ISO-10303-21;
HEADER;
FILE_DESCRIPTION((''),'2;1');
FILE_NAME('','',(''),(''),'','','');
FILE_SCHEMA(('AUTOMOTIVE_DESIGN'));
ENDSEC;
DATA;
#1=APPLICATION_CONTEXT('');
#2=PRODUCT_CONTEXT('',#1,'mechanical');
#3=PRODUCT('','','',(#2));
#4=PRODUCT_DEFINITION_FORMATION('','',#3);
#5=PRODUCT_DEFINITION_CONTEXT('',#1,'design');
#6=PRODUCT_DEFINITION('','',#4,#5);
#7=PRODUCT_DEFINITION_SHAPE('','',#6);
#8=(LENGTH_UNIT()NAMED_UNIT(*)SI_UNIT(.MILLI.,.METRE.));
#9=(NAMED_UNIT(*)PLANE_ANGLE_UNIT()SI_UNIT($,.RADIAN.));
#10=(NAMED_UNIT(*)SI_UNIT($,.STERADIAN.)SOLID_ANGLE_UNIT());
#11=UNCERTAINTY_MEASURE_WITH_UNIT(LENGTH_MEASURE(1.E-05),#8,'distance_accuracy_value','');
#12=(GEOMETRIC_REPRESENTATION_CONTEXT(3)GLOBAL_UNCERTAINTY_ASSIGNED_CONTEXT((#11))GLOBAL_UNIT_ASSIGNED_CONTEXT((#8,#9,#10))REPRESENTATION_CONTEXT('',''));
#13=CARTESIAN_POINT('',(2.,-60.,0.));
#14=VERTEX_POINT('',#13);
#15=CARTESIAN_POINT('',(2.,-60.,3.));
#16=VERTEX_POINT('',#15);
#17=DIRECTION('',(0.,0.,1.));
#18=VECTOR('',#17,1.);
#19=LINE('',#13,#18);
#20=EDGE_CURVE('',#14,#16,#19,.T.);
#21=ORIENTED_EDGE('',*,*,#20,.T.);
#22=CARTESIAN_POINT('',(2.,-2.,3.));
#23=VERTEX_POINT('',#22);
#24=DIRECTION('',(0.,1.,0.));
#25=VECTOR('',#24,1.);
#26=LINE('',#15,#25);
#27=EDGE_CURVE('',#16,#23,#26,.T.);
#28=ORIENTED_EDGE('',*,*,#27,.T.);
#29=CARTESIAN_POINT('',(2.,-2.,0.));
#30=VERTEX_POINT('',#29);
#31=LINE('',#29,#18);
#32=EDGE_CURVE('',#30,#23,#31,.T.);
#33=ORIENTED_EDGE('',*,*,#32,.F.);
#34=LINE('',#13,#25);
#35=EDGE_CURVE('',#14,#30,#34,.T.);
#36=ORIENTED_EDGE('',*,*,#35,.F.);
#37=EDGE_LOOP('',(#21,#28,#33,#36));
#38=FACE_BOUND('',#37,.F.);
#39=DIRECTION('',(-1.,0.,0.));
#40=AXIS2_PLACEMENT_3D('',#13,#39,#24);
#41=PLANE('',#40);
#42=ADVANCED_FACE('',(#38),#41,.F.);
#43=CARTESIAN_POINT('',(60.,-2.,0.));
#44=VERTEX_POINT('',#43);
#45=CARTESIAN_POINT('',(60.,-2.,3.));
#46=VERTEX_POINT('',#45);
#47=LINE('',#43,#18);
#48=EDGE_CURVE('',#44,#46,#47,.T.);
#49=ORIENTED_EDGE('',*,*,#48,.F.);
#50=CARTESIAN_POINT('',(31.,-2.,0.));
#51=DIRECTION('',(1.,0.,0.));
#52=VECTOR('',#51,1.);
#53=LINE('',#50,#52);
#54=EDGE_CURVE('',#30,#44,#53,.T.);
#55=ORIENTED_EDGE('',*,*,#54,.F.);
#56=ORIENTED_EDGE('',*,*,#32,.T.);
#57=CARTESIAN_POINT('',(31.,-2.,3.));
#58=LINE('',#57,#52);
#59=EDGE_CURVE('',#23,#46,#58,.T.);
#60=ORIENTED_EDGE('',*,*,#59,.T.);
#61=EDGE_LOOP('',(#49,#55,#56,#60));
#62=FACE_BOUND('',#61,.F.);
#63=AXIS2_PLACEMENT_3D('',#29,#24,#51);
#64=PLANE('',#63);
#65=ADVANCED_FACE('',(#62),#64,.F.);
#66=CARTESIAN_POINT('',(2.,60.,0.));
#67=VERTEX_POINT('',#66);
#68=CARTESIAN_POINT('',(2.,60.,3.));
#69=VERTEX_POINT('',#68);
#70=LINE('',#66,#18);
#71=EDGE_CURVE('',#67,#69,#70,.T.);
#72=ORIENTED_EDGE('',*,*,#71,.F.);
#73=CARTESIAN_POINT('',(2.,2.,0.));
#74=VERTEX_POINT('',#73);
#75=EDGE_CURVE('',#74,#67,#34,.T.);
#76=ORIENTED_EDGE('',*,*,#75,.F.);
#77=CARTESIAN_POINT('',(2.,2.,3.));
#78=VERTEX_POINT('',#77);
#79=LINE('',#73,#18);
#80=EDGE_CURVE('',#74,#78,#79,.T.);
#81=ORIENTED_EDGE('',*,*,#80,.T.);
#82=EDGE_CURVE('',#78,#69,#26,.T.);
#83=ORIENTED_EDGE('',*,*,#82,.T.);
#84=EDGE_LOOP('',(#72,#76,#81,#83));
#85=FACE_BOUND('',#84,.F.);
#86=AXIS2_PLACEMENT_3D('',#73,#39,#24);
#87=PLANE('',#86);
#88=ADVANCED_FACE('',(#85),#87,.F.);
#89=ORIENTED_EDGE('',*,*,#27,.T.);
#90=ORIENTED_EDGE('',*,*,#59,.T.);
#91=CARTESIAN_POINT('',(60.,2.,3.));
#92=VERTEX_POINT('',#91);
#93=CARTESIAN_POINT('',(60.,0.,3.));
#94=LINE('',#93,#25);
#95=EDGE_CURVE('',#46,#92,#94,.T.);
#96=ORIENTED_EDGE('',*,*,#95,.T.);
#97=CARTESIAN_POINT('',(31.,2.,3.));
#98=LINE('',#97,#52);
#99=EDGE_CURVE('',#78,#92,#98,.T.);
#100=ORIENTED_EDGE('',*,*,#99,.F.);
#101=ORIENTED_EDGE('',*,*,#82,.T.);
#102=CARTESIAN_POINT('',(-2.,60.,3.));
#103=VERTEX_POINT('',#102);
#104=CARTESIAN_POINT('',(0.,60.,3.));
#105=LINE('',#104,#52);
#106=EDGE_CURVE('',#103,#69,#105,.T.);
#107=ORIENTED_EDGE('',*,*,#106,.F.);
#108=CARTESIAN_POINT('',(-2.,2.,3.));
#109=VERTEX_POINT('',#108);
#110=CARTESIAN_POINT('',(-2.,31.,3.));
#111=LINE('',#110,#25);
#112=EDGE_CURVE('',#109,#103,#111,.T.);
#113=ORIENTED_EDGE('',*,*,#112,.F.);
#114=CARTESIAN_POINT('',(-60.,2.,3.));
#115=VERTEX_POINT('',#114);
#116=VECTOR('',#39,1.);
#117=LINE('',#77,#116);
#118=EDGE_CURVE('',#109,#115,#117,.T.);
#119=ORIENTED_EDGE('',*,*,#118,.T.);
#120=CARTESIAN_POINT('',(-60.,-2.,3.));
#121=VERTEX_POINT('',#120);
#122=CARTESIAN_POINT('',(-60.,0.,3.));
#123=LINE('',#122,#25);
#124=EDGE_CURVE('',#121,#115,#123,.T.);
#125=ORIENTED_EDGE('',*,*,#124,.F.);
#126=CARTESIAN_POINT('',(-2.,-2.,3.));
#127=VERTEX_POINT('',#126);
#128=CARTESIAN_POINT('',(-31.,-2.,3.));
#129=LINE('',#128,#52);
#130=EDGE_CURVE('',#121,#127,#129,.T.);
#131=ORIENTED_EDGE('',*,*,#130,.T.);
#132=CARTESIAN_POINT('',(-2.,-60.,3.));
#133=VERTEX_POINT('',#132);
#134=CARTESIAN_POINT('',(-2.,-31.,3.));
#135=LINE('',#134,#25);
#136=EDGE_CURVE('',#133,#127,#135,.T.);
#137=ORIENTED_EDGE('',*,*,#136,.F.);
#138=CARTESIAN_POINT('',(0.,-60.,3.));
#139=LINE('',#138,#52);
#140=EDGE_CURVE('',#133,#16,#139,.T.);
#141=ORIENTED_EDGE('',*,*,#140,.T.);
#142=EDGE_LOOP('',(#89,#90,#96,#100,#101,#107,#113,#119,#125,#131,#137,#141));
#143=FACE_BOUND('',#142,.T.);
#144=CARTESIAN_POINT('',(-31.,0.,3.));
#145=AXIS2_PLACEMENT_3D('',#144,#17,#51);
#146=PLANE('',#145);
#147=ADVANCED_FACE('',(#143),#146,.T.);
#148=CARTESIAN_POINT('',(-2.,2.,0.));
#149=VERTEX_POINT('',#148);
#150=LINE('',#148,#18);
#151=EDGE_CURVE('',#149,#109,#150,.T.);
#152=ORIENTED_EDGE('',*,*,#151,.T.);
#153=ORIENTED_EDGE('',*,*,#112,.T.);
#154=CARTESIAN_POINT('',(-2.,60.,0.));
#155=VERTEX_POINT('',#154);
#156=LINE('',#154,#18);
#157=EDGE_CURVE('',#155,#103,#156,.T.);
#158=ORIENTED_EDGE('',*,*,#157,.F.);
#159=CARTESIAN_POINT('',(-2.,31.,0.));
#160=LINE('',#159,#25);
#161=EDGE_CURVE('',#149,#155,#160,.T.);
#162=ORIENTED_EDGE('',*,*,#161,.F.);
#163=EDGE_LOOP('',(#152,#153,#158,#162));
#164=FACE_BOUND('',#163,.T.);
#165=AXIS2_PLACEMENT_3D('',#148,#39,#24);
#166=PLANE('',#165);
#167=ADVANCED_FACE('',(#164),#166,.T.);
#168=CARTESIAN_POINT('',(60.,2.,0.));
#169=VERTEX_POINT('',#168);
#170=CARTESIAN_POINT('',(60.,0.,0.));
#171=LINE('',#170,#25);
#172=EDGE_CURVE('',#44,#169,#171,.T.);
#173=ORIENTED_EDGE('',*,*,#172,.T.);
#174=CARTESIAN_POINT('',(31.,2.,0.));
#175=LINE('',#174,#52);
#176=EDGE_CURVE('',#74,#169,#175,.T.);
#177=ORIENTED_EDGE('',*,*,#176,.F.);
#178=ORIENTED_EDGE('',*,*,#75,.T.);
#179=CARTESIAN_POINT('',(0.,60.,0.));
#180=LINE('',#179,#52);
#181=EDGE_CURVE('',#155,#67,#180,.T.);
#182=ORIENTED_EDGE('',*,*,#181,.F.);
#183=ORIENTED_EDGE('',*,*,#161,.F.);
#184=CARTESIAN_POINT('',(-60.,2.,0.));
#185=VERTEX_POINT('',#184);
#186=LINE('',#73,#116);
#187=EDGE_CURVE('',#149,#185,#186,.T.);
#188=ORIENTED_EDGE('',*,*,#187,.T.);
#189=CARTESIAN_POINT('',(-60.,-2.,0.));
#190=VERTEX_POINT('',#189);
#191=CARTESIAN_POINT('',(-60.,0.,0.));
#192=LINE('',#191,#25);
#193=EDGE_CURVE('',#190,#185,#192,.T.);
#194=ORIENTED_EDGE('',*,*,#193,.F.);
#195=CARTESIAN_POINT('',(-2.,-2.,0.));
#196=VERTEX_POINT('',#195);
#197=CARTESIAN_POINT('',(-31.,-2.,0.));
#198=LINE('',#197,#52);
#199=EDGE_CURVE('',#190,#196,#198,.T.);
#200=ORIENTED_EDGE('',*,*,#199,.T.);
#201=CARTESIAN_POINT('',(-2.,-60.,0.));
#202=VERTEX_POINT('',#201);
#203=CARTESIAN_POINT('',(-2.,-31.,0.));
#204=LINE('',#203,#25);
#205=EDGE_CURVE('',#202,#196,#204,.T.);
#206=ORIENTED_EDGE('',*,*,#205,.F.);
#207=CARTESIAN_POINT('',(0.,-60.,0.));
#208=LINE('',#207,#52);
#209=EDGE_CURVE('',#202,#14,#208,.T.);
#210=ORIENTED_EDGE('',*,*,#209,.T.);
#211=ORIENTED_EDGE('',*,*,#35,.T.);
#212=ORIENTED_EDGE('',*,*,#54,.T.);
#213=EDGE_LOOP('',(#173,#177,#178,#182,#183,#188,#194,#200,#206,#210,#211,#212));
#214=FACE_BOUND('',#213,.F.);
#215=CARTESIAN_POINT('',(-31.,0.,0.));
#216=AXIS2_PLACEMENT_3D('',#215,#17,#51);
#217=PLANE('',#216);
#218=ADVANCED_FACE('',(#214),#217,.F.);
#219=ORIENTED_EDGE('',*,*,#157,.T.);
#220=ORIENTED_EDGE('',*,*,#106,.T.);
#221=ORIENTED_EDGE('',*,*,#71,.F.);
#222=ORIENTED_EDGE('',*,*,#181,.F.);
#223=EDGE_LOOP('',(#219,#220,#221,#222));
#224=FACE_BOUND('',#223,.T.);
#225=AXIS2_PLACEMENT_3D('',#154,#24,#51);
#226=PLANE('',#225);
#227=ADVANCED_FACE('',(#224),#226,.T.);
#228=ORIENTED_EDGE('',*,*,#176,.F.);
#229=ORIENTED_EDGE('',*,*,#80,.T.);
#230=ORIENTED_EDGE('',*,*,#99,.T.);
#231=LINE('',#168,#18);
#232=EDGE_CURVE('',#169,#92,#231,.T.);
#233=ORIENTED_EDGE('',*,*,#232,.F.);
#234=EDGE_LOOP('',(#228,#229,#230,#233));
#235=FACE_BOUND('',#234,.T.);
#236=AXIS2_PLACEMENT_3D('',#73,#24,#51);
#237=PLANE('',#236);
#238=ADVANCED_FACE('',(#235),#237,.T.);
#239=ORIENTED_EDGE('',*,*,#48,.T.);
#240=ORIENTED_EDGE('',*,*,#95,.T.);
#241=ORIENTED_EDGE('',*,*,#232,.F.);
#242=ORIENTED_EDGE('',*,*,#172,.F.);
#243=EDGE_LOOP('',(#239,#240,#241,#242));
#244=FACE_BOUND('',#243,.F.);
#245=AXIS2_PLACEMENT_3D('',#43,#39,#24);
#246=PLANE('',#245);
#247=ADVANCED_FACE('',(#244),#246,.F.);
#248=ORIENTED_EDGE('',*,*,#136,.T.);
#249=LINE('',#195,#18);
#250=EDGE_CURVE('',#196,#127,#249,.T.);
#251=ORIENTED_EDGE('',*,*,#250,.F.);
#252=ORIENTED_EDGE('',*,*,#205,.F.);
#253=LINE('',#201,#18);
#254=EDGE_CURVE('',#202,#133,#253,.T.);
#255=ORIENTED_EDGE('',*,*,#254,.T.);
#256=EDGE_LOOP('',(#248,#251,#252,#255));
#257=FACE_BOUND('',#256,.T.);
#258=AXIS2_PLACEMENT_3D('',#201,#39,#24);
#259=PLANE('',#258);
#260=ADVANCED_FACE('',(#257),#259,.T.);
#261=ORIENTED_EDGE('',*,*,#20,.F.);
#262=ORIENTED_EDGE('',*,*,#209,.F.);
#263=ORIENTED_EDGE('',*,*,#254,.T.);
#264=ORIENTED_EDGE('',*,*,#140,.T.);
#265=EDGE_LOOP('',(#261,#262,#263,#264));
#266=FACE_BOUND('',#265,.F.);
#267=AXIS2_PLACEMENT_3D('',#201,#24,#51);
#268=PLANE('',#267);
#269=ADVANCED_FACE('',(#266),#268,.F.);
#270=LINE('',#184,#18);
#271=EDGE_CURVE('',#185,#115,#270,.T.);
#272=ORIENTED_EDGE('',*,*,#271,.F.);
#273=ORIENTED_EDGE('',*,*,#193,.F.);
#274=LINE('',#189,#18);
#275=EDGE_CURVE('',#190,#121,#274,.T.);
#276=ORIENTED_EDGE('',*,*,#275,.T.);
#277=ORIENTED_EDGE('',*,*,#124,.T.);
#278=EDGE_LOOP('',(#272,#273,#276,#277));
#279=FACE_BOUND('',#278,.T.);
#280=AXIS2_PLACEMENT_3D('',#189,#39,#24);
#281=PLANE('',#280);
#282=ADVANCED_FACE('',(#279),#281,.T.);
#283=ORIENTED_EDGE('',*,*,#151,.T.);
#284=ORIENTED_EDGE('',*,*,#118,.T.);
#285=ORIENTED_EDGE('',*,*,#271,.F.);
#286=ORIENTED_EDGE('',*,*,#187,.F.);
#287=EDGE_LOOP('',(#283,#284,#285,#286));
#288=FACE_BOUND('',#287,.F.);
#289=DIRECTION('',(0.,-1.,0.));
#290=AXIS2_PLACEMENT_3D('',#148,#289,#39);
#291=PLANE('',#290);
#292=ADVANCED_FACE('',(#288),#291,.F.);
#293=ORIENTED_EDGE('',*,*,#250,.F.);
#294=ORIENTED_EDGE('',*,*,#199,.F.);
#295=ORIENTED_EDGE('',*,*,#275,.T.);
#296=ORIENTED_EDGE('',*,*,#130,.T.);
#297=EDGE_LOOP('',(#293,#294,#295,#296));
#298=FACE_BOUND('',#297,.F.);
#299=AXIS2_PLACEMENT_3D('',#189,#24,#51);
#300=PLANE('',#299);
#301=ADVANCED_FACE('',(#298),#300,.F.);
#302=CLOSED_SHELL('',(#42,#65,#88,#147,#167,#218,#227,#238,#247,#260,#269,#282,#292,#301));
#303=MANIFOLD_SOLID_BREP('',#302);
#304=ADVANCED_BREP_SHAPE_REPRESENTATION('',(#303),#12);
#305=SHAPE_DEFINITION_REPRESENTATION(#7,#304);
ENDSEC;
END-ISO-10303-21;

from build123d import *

# Parameters (mm, degrees)
F0_W     = 58
F0_H     = 4
F0_W_2   = 4
F0_H_2   = 58
F1_DEPTH = 3


with BuildPart() as f1:
    # F0 (on Top) → F1 (new body)
    with BuildSketch(Plane.XY):
        with Locations((-31, 0)):
            Rectangle(F0_W, F0_H)
        with Locations((0, -31)):
            Rectangle(F0_W_2, F0_H_2)
        Rectangle(F0_W_2, F0_H)
        with Locations((0, 31)):
            Rectangle(F0_W_2, F0_H_2)
        with Locations((31, 0)):
            Rectangle(F0_W, F0_H)
    extrude(amount=F1_DEPTH)


solid = f1.part
